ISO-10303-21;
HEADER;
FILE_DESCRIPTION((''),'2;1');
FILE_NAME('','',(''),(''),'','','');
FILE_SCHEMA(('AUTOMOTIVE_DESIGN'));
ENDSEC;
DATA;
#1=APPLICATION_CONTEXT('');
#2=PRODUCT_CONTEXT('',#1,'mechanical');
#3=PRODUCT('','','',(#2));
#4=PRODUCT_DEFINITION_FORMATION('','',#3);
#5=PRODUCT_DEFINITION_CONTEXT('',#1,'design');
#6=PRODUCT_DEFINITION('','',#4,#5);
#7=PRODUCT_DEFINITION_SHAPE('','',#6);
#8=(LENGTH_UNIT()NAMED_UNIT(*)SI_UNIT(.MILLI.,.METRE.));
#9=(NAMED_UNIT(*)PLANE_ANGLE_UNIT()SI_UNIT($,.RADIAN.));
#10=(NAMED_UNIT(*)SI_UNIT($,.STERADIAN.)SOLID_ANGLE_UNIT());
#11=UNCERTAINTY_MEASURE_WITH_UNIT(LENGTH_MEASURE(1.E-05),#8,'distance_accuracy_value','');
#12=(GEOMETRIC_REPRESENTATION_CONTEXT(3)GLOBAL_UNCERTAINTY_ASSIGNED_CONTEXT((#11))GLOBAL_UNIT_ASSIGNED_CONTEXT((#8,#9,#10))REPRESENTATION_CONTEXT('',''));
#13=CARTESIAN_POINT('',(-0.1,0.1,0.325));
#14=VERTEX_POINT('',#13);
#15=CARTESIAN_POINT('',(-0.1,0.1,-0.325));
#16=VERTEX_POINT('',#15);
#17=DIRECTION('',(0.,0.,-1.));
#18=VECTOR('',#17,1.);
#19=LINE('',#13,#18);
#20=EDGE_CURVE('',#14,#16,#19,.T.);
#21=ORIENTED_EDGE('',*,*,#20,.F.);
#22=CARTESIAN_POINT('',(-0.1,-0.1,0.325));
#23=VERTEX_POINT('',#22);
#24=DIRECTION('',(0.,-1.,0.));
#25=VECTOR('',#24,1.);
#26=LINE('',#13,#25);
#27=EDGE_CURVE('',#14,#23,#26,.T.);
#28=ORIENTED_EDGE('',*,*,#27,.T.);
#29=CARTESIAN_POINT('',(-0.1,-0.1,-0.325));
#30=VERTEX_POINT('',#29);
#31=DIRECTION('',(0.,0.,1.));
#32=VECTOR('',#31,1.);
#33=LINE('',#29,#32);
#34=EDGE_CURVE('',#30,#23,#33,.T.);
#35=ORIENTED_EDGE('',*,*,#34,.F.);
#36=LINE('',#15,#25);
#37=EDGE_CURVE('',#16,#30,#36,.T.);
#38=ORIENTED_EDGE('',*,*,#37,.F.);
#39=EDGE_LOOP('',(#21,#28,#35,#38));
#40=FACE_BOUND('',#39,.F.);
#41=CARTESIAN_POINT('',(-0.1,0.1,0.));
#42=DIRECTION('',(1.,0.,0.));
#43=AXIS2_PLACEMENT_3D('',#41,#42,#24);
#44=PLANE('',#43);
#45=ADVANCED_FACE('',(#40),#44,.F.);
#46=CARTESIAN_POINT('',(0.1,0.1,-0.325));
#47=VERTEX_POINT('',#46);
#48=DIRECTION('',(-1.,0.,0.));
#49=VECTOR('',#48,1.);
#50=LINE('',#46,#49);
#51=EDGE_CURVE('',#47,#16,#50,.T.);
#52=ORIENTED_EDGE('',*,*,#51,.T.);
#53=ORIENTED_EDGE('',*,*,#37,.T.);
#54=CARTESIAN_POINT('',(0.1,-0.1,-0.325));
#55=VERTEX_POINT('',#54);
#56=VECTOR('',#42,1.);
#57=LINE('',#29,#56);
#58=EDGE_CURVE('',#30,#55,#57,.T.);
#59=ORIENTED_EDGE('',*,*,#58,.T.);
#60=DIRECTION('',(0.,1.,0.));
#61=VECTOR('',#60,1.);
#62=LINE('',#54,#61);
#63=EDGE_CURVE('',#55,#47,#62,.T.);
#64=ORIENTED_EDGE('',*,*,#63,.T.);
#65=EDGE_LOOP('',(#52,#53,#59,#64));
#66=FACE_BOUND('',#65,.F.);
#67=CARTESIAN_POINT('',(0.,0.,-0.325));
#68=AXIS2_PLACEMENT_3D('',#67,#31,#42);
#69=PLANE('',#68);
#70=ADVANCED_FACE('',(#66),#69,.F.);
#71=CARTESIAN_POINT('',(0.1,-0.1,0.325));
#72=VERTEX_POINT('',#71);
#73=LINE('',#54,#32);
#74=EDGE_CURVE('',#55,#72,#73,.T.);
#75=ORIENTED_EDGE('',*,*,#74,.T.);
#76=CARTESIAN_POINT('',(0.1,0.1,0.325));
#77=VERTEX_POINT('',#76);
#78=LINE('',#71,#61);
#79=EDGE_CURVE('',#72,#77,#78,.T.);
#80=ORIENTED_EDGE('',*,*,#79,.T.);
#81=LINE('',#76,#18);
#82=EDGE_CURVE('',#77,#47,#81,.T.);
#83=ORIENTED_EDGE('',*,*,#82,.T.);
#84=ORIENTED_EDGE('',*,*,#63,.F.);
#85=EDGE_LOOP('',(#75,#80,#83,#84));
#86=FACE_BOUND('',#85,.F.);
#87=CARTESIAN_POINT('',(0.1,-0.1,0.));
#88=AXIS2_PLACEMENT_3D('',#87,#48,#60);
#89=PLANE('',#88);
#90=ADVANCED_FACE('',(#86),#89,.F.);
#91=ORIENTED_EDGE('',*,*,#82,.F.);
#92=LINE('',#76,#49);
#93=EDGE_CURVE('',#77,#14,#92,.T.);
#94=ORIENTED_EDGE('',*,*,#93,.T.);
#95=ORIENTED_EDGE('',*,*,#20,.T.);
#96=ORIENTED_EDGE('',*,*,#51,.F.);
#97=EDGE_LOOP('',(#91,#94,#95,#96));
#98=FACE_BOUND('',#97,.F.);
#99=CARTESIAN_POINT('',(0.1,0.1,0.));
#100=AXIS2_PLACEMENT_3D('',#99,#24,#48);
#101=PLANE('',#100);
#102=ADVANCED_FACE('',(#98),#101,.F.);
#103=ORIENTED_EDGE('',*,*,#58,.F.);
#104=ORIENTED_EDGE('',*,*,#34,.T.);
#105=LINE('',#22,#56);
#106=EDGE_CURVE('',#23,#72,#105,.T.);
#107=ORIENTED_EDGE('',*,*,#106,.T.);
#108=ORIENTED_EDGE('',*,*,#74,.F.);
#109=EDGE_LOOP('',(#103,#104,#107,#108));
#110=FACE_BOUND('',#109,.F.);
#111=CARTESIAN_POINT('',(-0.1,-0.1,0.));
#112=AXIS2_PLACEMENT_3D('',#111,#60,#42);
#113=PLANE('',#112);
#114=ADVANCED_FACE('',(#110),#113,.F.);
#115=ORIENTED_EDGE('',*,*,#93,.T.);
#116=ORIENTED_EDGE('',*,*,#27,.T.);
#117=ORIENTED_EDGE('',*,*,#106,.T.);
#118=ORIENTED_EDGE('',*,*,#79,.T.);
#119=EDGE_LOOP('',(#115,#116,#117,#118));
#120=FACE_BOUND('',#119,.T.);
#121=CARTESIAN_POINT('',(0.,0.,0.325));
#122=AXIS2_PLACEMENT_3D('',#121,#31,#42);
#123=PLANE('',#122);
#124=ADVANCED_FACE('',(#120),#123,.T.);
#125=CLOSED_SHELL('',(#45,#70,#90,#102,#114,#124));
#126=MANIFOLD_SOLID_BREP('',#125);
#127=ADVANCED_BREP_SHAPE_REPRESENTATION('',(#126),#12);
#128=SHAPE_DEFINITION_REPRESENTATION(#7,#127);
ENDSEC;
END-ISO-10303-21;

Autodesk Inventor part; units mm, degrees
ref_plane "YZ Plane" through (0, 0, 0) normal (1, 0, 0) x (0, 1, 0)
ref_plane "XZ Plane" through (0, 0, 0) normal (0, 1, 0) x (-1, 0, 0)
ref_plane "XY Plane" through (0, 0, 0) normal (0, 0, 1) x (1, 0, 0)
sketch "Sketch1" plane through (0, 0, 0) normal (0, 0, 1) x (1, 0, 0)
  line L0 (-0.1, -0.1) -> (0.1, -0.1)
  line L1 (0.1, -0.1) -> (0.1, 0.1)
  line L2 (0.1, 0.1) -> (-0.1, 0.1)
  line L3 (-0.1, 0.1) -> (-0.1, -0.1)
  line L4 (-0.1, -0.1) -> (0.1, 0.1) construction
  line L5 (0.1, -0.1) -> (-0.1, 0.1) construction
  point P0 (0, 0)
  dimension "d0" = 0.2
  dimension "d1" = 0.2
extrude "Extrusion1" add sketch "Sketch1" along normal mid plane 0.65
properties part number "Bone10_8_Fix"
